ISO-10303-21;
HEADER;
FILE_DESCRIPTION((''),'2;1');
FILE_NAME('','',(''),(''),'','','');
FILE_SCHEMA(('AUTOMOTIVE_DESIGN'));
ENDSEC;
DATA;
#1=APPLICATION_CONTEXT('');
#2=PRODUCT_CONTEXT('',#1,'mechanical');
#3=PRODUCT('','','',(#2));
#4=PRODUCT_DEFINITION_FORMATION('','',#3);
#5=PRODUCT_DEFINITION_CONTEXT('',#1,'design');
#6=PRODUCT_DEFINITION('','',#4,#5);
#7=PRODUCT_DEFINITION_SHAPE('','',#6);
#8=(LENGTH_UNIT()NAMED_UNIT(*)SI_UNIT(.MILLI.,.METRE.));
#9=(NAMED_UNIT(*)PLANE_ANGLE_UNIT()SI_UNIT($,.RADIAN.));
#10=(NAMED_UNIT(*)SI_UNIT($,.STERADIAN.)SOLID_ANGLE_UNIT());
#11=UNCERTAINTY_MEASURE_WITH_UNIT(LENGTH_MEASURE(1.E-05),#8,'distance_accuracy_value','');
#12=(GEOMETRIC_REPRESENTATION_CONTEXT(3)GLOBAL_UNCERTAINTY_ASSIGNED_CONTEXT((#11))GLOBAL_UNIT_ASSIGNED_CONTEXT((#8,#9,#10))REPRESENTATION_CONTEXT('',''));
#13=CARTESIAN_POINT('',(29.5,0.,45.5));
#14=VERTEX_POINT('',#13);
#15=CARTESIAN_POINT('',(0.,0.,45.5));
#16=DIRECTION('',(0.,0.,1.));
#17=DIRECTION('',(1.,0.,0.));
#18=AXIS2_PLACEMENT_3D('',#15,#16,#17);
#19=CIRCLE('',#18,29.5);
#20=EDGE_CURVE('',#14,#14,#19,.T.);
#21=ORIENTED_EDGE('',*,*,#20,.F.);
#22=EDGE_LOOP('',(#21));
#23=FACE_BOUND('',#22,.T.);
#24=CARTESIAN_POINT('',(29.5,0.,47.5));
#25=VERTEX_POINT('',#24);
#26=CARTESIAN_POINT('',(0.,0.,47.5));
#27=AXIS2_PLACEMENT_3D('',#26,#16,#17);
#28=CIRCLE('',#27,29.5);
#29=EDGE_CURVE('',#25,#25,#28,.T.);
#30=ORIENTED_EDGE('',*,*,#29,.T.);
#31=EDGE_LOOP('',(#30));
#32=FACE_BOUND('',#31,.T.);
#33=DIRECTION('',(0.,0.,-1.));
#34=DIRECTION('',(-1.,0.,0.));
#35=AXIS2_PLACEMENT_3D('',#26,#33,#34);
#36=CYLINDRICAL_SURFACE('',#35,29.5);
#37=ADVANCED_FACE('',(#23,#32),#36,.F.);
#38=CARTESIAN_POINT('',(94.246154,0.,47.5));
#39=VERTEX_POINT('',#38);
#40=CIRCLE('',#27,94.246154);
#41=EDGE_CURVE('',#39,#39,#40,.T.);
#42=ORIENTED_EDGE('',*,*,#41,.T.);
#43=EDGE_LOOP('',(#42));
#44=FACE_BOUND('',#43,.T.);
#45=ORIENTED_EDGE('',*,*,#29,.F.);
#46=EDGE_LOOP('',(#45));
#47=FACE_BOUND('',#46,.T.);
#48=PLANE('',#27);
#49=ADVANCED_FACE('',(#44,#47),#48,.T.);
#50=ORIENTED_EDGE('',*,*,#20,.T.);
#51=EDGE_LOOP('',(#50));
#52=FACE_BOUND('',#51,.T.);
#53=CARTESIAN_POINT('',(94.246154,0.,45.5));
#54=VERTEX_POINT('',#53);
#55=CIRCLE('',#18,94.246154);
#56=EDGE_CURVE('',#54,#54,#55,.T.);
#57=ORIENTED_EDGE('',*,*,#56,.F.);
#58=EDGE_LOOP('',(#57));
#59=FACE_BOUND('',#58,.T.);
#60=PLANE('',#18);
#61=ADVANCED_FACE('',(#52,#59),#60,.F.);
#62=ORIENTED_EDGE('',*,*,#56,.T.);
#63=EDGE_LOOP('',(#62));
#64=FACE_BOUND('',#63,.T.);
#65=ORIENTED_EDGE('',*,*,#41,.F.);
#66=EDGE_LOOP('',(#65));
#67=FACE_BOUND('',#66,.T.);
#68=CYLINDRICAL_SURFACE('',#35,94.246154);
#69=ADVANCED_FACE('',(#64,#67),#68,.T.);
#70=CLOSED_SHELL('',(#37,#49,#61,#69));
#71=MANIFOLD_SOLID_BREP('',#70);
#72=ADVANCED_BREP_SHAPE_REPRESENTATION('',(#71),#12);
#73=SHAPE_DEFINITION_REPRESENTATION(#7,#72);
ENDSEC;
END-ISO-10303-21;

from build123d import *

# Parameters (mm, degrees)
PRINTED_GUARD_START = 45.5
SKETCH_1_R          = 94.246153846
SKETCH_1_R_2        = 29.5
PRINTED_GUARD_DEPTH = 2


with BuildPart() as part:
    # Эскиз1 → Printed_guard (new body)
    with BuildSketch(Plane.XY.offset(PRINTED_GUARD_START)):
        Circle(SKETCH_1_R)
        Circle(SKETCH_1_R_2, mode=Mode.SUBTRACT)
    extrude(amount=PRINTED_GUARD_DEPTH)


solid = part.part
